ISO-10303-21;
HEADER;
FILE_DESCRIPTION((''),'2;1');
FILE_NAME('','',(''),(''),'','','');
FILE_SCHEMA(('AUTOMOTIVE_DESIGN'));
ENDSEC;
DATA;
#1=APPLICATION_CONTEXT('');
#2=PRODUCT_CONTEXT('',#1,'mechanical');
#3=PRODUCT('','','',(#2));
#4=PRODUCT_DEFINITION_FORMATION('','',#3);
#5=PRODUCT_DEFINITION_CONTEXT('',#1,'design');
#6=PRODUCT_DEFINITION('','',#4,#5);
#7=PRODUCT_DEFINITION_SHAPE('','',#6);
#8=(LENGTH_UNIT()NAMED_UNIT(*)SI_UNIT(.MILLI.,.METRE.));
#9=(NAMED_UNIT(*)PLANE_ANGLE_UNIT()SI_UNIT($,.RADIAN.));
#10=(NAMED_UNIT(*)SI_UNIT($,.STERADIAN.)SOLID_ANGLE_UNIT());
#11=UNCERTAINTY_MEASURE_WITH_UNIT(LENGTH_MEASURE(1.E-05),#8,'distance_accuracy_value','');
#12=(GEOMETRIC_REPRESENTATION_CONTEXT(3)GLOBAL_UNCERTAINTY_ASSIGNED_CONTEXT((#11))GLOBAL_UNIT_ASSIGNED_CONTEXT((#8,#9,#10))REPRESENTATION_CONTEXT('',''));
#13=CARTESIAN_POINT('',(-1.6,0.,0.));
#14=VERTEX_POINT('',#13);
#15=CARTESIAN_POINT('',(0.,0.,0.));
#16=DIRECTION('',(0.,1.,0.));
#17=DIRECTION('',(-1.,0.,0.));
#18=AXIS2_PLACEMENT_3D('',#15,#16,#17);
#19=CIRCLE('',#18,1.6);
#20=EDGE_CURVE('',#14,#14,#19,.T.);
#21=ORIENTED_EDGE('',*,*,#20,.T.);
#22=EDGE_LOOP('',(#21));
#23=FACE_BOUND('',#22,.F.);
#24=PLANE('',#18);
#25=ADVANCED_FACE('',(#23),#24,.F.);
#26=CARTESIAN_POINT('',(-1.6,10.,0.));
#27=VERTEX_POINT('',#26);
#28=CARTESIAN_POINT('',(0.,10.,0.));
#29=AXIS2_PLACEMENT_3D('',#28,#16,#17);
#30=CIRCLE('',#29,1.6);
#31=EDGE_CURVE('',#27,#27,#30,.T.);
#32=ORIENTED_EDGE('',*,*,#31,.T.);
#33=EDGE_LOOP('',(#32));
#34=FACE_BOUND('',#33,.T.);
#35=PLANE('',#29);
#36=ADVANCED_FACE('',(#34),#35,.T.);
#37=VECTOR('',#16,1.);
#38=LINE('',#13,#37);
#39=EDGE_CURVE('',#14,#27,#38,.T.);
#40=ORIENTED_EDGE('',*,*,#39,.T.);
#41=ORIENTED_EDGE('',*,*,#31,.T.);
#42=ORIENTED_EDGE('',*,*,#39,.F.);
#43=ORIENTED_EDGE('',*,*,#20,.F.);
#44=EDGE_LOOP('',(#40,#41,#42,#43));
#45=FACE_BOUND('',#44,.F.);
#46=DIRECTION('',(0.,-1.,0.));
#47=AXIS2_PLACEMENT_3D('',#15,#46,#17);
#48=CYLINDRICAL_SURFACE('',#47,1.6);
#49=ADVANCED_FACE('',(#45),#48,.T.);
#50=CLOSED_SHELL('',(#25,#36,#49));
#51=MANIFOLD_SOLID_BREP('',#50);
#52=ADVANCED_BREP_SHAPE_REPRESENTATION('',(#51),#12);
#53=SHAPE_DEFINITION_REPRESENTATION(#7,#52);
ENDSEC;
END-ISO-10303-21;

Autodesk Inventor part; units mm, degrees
ref_plane "YZ Plane" through (0, 0, 0) normal (1, 0, 0) x (0, 1, 0)
ref_plane "XZ Plane" through (0, 0, 0) normal (0, 1, 0) x (-1, 0, 0)
ref_plane "XY Plane" through (0, 0, 0) normal (0, 0, 1) x (1, 0, 0)
sketch "スケッチ1" plane through (0, 0, 0) normal (0, 1, 0) x (-1, 0, 0)
  circle A0 centre (0, 0) radius 1.6
  dimension "d0" = 3.2
extrude "押し出し1" add sketch "スケッチ1" along normal blind 10
properties part number "washer" material "シルバー"
